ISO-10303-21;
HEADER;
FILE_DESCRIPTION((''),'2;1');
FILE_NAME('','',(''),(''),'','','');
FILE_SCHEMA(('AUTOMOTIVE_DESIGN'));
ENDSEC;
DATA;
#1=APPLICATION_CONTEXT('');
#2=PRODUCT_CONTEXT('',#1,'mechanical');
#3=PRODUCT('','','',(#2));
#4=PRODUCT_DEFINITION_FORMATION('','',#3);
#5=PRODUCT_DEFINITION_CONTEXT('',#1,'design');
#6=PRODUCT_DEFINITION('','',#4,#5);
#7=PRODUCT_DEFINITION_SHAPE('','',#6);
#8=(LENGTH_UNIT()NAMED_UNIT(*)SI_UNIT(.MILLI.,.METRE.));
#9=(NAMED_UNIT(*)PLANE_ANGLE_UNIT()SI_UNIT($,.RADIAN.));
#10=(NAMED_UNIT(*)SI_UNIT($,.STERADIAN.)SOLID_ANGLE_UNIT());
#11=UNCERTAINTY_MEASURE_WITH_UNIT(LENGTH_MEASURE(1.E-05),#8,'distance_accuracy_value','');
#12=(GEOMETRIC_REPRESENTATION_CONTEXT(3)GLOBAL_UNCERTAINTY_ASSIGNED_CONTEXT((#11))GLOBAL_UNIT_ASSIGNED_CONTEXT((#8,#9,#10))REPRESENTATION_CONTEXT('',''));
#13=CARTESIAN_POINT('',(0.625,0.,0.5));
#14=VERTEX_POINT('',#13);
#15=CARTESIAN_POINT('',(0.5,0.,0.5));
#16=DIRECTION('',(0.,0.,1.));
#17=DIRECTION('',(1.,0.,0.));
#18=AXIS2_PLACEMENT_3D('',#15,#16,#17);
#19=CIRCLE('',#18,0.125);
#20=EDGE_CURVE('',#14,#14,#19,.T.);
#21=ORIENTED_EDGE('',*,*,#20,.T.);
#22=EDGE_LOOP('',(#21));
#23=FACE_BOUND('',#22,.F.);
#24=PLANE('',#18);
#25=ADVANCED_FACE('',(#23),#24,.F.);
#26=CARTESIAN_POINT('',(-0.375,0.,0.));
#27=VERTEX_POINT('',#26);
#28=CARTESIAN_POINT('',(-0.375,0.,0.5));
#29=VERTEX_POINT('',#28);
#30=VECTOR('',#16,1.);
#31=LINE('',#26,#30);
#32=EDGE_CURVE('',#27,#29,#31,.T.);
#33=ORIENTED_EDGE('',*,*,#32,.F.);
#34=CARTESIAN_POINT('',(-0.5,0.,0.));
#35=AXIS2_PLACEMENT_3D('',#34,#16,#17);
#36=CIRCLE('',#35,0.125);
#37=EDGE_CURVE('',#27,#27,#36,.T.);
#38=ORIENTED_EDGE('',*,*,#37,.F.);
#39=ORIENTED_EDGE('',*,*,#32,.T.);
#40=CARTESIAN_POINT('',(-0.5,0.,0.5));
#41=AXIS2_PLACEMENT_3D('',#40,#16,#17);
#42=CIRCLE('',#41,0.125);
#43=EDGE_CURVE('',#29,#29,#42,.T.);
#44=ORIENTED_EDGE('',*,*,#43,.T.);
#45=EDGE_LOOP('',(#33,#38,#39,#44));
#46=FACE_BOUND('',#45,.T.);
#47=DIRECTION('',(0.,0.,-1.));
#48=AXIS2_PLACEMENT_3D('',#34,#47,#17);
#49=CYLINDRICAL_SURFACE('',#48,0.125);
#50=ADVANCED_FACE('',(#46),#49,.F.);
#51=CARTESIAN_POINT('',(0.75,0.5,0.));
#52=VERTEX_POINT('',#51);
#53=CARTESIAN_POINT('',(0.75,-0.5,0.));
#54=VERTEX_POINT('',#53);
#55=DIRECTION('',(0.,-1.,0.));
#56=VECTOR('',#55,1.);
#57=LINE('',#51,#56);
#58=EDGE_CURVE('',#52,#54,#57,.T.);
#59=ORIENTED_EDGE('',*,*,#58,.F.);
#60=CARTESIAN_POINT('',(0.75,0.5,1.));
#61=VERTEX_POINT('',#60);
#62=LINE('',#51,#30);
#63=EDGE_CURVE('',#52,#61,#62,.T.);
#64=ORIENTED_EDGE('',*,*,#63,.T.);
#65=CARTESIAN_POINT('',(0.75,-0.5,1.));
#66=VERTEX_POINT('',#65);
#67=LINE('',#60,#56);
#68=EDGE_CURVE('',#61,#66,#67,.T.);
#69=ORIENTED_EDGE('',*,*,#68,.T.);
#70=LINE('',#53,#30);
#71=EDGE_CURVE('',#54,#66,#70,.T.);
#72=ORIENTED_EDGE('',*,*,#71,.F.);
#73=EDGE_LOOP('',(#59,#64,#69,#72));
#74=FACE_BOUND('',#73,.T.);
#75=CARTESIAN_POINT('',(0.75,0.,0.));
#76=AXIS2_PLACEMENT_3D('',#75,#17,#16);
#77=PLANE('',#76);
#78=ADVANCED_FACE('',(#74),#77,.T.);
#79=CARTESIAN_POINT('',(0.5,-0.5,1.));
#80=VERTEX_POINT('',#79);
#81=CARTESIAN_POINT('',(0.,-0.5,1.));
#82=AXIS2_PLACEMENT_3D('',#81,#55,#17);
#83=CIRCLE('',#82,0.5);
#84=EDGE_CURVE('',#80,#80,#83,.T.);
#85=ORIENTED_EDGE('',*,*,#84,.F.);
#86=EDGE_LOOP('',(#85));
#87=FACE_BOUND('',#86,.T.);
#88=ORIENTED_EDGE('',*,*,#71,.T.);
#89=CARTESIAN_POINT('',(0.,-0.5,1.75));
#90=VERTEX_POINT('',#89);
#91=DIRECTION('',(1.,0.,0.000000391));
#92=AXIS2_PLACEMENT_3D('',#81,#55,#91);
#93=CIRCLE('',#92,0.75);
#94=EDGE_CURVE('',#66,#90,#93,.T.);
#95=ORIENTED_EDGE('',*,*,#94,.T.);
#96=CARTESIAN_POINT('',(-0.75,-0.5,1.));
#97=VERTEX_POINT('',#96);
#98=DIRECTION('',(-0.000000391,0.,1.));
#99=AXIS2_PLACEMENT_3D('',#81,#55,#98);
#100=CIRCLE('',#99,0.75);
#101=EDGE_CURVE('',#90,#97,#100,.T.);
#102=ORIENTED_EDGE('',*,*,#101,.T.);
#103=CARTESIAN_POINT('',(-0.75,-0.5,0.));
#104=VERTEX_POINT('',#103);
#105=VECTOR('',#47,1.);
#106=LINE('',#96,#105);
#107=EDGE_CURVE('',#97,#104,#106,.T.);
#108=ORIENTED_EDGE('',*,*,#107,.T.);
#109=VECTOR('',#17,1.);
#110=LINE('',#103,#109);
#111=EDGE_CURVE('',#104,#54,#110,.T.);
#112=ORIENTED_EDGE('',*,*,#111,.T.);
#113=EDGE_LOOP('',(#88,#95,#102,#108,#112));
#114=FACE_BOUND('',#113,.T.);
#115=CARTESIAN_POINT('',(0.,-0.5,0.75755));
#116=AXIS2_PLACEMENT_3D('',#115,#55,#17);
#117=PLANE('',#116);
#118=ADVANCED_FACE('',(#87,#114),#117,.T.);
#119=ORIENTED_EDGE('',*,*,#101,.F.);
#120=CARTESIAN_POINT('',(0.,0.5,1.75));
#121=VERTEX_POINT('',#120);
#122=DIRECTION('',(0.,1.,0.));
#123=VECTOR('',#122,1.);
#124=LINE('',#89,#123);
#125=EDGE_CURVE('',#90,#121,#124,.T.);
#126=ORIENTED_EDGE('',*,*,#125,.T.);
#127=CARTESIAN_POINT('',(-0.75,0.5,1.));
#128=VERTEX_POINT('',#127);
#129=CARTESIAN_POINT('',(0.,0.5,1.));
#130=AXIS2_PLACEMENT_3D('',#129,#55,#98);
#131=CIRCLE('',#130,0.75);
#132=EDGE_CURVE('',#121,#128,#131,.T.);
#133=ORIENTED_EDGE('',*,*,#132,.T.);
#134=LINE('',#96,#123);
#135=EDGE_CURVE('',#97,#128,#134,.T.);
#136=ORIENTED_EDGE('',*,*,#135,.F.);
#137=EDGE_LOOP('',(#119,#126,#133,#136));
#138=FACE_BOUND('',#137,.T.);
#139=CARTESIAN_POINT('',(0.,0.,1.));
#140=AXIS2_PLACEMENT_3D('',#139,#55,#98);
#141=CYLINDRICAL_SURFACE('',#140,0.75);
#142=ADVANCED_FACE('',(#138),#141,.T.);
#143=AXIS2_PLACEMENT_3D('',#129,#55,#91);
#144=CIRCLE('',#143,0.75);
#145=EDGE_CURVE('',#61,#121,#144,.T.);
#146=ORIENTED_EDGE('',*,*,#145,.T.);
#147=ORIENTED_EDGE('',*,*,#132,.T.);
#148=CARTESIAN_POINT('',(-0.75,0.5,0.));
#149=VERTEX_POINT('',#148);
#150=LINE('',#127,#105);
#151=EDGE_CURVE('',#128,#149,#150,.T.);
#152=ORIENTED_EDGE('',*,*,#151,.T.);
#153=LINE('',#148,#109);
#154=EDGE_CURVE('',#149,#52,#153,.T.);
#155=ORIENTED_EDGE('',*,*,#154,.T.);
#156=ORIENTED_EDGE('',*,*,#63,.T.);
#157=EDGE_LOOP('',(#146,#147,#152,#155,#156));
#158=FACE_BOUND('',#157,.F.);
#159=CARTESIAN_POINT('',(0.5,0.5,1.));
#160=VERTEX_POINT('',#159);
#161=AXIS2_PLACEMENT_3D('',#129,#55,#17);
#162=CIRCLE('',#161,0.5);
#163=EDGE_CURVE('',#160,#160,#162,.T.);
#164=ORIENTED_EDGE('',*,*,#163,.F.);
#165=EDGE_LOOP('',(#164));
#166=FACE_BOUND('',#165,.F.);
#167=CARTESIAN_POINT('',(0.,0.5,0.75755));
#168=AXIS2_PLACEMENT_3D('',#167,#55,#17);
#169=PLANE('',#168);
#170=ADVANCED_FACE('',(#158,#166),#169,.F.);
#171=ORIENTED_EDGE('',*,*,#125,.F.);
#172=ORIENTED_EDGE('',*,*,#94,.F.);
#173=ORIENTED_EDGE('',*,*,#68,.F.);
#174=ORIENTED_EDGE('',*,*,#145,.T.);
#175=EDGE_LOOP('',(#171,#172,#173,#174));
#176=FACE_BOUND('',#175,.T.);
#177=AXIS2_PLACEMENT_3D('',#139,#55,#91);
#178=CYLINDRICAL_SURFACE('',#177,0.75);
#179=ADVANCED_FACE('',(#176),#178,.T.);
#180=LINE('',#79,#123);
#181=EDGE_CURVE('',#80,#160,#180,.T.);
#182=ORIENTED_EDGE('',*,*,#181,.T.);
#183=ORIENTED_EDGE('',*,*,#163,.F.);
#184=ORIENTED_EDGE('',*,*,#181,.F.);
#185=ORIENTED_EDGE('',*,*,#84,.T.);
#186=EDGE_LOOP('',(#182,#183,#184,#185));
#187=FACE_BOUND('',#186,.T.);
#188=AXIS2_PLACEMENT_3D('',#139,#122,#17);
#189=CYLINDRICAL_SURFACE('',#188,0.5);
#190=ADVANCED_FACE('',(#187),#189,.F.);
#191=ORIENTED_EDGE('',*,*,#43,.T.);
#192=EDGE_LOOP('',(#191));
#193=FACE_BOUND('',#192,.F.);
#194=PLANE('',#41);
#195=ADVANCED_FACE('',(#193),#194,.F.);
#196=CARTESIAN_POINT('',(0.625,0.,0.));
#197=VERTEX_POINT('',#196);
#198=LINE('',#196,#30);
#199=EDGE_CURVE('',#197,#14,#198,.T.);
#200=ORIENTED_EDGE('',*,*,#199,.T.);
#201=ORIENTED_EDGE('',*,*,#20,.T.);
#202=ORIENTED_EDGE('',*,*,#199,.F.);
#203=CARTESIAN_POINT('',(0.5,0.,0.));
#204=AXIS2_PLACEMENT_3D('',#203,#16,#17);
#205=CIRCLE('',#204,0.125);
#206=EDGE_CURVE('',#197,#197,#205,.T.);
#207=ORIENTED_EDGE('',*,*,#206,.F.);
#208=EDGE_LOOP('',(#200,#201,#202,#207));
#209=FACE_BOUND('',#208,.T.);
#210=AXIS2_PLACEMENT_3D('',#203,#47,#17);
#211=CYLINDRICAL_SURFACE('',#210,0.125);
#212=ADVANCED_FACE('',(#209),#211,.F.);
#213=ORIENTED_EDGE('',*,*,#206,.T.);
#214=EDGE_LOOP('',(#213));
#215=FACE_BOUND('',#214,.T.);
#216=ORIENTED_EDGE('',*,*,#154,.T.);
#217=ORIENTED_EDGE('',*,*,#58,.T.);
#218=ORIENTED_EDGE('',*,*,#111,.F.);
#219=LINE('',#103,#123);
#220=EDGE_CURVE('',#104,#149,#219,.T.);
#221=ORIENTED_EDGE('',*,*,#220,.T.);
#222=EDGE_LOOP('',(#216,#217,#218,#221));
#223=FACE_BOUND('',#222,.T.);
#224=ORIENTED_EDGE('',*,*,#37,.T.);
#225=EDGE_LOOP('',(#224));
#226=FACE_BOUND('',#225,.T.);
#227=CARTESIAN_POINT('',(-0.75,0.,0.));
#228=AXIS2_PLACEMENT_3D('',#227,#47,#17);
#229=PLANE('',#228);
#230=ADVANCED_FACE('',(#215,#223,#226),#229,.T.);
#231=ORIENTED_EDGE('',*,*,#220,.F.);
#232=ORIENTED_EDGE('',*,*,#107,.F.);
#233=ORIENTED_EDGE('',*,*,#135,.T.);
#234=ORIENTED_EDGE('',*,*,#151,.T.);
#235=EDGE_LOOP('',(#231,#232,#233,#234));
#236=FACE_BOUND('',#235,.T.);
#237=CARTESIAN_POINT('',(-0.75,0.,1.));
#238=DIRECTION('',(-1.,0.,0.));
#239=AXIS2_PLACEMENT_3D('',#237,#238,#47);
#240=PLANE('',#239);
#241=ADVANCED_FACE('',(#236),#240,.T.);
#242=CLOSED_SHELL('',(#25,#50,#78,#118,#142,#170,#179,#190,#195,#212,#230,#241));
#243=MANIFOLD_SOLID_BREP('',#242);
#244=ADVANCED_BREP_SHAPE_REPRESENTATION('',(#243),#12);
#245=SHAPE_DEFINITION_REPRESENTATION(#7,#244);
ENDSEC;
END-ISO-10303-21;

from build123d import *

# Parameters (mm, degrees)
F0_R     = 0.5
F1_DEPTH = 0.5
F2_R     = 0.125
F3_DEPTH = 0.5


with BuildPart() as f1:
    # F0 (on Front) → F1 (new body, symmetric)
    with BuildSketch(Plane.XZ):
        with BuildLine():
            Line((-0.75, 0), (0, 0))
            Line((0, 0), (0.75, 0))
            Line((0.75, 0), (0.75, 1))
            ThreePointArc((0.75, 1), (0.53033, 1.53033), (0, 1.75))
            ThreePointArc((0, 1.75), (-0.53033, 1.53033), (-0.75, 1))
            Line((-0.75, 1), (-0.75, 0))
        make_face()
        with Locations((0, 1)):
            Circle(F0_R, mode=Mode.SUBTRACT)
    extrude(amount=F1_DEPTH, both=True)

    # F2 (on Top) → F3 (cut)
    with BuildSketch(Plane.XY):
        with Locations((-0.5, 0)):
            Circle(F2_R)
        with Locations((0.5, 0)):
            Circle(F2_R)
    extrude(amount=F3_DEPTH, mode=Mode.SUBTRACT)


solid = f1.part
